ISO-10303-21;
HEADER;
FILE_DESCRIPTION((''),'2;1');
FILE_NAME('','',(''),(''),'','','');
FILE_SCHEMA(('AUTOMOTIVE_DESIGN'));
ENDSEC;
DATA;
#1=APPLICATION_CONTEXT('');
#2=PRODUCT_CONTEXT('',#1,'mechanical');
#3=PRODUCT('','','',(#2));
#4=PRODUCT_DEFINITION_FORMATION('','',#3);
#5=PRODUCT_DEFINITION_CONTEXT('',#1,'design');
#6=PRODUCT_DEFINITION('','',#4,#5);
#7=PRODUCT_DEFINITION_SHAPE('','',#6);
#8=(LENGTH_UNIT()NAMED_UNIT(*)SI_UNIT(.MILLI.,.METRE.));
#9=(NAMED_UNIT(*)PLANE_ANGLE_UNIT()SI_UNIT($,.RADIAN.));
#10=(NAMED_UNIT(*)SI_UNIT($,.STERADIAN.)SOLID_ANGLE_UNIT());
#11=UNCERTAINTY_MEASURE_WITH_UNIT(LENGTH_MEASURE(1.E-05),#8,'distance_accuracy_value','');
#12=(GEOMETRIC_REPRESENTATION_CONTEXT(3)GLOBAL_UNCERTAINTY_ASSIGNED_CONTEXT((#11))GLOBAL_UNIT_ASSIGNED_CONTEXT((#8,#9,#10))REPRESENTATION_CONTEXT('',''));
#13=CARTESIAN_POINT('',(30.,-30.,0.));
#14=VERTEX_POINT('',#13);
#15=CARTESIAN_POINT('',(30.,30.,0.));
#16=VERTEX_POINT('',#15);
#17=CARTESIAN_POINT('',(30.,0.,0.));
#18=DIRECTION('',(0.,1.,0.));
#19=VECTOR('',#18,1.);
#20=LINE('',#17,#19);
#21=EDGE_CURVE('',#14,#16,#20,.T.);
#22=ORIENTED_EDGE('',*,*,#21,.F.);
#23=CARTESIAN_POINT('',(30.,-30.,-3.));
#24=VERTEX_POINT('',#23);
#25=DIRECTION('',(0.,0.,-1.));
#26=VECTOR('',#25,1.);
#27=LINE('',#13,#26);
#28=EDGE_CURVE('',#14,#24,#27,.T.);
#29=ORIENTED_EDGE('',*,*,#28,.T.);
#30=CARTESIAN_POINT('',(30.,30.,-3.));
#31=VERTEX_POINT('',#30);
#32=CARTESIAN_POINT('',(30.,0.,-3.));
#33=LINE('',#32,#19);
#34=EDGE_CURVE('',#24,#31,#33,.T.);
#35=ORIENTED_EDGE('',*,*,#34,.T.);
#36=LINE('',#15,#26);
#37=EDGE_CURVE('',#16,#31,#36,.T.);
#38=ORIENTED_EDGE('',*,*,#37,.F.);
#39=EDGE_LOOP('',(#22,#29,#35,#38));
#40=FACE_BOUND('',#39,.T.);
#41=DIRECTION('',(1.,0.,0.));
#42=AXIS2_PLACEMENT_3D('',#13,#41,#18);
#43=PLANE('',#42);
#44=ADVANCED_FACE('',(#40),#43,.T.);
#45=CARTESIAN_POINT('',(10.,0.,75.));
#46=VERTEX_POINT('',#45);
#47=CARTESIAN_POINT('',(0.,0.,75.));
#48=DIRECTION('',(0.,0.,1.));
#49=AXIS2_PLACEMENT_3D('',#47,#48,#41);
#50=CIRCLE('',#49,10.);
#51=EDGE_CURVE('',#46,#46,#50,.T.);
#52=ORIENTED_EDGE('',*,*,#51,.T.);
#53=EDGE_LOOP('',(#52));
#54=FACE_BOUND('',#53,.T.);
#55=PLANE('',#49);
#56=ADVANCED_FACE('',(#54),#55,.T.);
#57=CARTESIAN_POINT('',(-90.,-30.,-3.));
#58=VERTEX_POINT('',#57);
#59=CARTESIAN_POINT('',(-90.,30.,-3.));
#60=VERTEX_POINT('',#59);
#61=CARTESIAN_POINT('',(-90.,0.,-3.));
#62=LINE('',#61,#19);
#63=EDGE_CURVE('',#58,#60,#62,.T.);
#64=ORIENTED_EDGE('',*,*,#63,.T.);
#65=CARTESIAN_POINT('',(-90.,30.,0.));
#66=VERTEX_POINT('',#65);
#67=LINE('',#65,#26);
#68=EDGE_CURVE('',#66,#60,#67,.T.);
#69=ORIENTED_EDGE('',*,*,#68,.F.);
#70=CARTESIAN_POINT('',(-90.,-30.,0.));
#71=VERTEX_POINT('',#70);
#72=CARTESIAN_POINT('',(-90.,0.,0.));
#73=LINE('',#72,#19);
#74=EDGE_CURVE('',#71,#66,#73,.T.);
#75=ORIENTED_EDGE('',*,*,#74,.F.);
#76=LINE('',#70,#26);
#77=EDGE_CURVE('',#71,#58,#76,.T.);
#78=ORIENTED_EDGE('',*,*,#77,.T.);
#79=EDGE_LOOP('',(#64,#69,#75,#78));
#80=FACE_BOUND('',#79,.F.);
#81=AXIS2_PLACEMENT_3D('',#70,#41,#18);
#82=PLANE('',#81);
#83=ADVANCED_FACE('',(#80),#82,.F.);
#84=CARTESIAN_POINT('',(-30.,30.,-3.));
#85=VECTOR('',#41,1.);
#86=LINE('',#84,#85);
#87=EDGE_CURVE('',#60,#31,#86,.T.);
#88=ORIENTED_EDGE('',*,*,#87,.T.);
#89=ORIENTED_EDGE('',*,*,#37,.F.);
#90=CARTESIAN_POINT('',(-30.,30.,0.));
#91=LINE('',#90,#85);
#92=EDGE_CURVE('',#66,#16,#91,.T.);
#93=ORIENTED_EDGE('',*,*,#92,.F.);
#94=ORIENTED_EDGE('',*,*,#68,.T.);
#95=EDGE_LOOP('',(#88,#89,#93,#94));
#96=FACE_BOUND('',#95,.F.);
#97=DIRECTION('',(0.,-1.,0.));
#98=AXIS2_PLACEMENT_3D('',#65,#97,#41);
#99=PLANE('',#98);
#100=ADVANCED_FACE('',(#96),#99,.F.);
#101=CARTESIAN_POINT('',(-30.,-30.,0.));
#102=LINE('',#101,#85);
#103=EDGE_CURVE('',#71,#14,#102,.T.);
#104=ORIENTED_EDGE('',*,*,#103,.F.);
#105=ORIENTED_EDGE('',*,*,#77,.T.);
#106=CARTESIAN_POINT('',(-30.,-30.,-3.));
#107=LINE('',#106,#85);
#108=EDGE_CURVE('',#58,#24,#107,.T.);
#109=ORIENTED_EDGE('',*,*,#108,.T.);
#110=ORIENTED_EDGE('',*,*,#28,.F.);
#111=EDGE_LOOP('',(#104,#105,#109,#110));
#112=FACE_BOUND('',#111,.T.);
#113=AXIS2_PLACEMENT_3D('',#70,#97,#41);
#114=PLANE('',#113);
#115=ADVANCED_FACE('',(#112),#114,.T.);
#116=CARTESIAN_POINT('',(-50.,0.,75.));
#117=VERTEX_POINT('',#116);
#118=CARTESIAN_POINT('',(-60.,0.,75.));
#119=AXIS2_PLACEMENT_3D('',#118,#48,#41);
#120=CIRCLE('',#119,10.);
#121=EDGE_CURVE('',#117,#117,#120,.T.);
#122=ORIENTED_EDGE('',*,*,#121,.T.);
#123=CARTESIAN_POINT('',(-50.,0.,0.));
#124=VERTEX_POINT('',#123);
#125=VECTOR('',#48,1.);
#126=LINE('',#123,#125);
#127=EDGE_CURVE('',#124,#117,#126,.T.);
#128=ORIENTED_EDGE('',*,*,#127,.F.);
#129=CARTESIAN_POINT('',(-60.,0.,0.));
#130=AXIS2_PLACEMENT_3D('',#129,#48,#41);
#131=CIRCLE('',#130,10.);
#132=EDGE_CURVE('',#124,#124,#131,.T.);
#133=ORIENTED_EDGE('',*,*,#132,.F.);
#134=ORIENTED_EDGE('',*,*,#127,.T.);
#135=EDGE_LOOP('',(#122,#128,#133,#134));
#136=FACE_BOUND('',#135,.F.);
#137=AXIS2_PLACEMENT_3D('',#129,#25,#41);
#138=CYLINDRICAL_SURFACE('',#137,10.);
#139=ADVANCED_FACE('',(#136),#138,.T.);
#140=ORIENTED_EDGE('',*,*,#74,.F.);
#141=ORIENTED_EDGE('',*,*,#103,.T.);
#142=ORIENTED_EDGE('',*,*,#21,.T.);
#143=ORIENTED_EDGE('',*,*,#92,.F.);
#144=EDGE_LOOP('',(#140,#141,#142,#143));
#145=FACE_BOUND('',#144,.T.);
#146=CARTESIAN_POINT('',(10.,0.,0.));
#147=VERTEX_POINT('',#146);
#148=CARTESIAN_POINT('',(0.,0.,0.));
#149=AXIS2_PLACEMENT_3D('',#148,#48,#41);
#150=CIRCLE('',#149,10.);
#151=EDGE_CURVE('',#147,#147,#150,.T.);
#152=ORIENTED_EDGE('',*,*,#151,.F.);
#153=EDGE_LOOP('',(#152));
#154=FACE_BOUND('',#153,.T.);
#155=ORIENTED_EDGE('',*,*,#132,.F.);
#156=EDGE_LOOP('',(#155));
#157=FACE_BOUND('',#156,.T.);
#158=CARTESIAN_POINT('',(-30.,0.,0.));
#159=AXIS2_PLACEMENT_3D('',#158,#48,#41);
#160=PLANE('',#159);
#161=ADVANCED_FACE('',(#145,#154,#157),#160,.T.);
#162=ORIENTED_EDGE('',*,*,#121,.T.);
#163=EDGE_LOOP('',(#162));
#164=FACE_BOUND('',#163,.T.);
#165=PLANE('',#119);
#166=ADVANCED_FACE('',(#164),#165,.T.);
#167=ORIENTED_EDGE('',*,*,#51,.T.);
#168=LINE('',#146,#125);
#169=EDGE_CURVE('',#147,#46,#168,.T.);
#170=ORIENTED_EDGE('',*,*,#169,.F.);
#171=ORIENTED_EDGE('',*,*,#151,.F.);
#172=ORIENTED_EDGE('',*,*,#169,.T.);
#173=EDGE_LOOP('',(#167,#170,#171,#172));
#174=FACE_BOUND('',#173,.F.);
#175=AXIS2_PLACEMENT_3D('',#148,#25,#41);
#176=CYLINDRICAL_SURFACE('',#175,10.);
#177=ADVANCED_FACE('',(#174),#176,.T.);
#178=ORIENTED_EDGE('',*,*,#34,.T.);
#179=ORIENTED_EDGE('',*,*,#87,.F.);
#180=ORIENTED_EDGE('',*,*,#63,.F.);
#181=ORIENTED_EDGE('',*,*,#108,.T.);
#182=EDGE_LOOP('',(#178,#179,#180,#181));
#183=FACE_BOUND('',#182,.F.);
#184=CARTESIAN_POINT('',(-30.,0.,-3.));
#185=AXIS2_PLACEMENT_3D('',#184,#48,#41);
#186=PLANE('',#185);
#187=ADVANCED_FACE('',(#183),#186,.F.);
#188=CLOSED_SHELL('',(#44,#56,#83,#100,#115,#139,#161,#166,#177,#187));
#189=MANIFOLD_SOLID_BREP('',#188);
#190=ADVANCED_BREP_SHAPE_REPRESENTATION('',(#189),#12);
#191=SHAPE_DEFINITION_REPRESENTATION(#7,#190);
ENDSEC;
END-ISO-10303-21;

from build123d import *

# Parameters (mm, degrees)
F0_W     = 120
F0_H     = 60
F0_R     = 10
F1_DEPTH = 3
F2_DEPTH = 75


with BuildPart() as f1:
    # F0 (on Top) → F1 (new body)
    with BuildSketch(Plane.XY):
        with Locations((-30, 0)):
            Rectangle(F0_W, F0_H)
        with Locations((-60, 0)):
            Circle(F0_R, mode=Mode.SUBTRACT)
        Circle(F0_R, mode=Mode.SUBTRACT)
        with Locations((-60, 0)):
            Circle(F0_R)
        Circle(F0_R)
    extrude(amount=-F1_DEPTH)

    # F0 (on Top) → F2 (join)
    with BuildSketch(Plane.XY):
        with Locations((-60, 0)):
            Circle(F0_R)
        Circle(F0_R)
    extrude(amount=F2_DEPTH)


solid = f1.part
